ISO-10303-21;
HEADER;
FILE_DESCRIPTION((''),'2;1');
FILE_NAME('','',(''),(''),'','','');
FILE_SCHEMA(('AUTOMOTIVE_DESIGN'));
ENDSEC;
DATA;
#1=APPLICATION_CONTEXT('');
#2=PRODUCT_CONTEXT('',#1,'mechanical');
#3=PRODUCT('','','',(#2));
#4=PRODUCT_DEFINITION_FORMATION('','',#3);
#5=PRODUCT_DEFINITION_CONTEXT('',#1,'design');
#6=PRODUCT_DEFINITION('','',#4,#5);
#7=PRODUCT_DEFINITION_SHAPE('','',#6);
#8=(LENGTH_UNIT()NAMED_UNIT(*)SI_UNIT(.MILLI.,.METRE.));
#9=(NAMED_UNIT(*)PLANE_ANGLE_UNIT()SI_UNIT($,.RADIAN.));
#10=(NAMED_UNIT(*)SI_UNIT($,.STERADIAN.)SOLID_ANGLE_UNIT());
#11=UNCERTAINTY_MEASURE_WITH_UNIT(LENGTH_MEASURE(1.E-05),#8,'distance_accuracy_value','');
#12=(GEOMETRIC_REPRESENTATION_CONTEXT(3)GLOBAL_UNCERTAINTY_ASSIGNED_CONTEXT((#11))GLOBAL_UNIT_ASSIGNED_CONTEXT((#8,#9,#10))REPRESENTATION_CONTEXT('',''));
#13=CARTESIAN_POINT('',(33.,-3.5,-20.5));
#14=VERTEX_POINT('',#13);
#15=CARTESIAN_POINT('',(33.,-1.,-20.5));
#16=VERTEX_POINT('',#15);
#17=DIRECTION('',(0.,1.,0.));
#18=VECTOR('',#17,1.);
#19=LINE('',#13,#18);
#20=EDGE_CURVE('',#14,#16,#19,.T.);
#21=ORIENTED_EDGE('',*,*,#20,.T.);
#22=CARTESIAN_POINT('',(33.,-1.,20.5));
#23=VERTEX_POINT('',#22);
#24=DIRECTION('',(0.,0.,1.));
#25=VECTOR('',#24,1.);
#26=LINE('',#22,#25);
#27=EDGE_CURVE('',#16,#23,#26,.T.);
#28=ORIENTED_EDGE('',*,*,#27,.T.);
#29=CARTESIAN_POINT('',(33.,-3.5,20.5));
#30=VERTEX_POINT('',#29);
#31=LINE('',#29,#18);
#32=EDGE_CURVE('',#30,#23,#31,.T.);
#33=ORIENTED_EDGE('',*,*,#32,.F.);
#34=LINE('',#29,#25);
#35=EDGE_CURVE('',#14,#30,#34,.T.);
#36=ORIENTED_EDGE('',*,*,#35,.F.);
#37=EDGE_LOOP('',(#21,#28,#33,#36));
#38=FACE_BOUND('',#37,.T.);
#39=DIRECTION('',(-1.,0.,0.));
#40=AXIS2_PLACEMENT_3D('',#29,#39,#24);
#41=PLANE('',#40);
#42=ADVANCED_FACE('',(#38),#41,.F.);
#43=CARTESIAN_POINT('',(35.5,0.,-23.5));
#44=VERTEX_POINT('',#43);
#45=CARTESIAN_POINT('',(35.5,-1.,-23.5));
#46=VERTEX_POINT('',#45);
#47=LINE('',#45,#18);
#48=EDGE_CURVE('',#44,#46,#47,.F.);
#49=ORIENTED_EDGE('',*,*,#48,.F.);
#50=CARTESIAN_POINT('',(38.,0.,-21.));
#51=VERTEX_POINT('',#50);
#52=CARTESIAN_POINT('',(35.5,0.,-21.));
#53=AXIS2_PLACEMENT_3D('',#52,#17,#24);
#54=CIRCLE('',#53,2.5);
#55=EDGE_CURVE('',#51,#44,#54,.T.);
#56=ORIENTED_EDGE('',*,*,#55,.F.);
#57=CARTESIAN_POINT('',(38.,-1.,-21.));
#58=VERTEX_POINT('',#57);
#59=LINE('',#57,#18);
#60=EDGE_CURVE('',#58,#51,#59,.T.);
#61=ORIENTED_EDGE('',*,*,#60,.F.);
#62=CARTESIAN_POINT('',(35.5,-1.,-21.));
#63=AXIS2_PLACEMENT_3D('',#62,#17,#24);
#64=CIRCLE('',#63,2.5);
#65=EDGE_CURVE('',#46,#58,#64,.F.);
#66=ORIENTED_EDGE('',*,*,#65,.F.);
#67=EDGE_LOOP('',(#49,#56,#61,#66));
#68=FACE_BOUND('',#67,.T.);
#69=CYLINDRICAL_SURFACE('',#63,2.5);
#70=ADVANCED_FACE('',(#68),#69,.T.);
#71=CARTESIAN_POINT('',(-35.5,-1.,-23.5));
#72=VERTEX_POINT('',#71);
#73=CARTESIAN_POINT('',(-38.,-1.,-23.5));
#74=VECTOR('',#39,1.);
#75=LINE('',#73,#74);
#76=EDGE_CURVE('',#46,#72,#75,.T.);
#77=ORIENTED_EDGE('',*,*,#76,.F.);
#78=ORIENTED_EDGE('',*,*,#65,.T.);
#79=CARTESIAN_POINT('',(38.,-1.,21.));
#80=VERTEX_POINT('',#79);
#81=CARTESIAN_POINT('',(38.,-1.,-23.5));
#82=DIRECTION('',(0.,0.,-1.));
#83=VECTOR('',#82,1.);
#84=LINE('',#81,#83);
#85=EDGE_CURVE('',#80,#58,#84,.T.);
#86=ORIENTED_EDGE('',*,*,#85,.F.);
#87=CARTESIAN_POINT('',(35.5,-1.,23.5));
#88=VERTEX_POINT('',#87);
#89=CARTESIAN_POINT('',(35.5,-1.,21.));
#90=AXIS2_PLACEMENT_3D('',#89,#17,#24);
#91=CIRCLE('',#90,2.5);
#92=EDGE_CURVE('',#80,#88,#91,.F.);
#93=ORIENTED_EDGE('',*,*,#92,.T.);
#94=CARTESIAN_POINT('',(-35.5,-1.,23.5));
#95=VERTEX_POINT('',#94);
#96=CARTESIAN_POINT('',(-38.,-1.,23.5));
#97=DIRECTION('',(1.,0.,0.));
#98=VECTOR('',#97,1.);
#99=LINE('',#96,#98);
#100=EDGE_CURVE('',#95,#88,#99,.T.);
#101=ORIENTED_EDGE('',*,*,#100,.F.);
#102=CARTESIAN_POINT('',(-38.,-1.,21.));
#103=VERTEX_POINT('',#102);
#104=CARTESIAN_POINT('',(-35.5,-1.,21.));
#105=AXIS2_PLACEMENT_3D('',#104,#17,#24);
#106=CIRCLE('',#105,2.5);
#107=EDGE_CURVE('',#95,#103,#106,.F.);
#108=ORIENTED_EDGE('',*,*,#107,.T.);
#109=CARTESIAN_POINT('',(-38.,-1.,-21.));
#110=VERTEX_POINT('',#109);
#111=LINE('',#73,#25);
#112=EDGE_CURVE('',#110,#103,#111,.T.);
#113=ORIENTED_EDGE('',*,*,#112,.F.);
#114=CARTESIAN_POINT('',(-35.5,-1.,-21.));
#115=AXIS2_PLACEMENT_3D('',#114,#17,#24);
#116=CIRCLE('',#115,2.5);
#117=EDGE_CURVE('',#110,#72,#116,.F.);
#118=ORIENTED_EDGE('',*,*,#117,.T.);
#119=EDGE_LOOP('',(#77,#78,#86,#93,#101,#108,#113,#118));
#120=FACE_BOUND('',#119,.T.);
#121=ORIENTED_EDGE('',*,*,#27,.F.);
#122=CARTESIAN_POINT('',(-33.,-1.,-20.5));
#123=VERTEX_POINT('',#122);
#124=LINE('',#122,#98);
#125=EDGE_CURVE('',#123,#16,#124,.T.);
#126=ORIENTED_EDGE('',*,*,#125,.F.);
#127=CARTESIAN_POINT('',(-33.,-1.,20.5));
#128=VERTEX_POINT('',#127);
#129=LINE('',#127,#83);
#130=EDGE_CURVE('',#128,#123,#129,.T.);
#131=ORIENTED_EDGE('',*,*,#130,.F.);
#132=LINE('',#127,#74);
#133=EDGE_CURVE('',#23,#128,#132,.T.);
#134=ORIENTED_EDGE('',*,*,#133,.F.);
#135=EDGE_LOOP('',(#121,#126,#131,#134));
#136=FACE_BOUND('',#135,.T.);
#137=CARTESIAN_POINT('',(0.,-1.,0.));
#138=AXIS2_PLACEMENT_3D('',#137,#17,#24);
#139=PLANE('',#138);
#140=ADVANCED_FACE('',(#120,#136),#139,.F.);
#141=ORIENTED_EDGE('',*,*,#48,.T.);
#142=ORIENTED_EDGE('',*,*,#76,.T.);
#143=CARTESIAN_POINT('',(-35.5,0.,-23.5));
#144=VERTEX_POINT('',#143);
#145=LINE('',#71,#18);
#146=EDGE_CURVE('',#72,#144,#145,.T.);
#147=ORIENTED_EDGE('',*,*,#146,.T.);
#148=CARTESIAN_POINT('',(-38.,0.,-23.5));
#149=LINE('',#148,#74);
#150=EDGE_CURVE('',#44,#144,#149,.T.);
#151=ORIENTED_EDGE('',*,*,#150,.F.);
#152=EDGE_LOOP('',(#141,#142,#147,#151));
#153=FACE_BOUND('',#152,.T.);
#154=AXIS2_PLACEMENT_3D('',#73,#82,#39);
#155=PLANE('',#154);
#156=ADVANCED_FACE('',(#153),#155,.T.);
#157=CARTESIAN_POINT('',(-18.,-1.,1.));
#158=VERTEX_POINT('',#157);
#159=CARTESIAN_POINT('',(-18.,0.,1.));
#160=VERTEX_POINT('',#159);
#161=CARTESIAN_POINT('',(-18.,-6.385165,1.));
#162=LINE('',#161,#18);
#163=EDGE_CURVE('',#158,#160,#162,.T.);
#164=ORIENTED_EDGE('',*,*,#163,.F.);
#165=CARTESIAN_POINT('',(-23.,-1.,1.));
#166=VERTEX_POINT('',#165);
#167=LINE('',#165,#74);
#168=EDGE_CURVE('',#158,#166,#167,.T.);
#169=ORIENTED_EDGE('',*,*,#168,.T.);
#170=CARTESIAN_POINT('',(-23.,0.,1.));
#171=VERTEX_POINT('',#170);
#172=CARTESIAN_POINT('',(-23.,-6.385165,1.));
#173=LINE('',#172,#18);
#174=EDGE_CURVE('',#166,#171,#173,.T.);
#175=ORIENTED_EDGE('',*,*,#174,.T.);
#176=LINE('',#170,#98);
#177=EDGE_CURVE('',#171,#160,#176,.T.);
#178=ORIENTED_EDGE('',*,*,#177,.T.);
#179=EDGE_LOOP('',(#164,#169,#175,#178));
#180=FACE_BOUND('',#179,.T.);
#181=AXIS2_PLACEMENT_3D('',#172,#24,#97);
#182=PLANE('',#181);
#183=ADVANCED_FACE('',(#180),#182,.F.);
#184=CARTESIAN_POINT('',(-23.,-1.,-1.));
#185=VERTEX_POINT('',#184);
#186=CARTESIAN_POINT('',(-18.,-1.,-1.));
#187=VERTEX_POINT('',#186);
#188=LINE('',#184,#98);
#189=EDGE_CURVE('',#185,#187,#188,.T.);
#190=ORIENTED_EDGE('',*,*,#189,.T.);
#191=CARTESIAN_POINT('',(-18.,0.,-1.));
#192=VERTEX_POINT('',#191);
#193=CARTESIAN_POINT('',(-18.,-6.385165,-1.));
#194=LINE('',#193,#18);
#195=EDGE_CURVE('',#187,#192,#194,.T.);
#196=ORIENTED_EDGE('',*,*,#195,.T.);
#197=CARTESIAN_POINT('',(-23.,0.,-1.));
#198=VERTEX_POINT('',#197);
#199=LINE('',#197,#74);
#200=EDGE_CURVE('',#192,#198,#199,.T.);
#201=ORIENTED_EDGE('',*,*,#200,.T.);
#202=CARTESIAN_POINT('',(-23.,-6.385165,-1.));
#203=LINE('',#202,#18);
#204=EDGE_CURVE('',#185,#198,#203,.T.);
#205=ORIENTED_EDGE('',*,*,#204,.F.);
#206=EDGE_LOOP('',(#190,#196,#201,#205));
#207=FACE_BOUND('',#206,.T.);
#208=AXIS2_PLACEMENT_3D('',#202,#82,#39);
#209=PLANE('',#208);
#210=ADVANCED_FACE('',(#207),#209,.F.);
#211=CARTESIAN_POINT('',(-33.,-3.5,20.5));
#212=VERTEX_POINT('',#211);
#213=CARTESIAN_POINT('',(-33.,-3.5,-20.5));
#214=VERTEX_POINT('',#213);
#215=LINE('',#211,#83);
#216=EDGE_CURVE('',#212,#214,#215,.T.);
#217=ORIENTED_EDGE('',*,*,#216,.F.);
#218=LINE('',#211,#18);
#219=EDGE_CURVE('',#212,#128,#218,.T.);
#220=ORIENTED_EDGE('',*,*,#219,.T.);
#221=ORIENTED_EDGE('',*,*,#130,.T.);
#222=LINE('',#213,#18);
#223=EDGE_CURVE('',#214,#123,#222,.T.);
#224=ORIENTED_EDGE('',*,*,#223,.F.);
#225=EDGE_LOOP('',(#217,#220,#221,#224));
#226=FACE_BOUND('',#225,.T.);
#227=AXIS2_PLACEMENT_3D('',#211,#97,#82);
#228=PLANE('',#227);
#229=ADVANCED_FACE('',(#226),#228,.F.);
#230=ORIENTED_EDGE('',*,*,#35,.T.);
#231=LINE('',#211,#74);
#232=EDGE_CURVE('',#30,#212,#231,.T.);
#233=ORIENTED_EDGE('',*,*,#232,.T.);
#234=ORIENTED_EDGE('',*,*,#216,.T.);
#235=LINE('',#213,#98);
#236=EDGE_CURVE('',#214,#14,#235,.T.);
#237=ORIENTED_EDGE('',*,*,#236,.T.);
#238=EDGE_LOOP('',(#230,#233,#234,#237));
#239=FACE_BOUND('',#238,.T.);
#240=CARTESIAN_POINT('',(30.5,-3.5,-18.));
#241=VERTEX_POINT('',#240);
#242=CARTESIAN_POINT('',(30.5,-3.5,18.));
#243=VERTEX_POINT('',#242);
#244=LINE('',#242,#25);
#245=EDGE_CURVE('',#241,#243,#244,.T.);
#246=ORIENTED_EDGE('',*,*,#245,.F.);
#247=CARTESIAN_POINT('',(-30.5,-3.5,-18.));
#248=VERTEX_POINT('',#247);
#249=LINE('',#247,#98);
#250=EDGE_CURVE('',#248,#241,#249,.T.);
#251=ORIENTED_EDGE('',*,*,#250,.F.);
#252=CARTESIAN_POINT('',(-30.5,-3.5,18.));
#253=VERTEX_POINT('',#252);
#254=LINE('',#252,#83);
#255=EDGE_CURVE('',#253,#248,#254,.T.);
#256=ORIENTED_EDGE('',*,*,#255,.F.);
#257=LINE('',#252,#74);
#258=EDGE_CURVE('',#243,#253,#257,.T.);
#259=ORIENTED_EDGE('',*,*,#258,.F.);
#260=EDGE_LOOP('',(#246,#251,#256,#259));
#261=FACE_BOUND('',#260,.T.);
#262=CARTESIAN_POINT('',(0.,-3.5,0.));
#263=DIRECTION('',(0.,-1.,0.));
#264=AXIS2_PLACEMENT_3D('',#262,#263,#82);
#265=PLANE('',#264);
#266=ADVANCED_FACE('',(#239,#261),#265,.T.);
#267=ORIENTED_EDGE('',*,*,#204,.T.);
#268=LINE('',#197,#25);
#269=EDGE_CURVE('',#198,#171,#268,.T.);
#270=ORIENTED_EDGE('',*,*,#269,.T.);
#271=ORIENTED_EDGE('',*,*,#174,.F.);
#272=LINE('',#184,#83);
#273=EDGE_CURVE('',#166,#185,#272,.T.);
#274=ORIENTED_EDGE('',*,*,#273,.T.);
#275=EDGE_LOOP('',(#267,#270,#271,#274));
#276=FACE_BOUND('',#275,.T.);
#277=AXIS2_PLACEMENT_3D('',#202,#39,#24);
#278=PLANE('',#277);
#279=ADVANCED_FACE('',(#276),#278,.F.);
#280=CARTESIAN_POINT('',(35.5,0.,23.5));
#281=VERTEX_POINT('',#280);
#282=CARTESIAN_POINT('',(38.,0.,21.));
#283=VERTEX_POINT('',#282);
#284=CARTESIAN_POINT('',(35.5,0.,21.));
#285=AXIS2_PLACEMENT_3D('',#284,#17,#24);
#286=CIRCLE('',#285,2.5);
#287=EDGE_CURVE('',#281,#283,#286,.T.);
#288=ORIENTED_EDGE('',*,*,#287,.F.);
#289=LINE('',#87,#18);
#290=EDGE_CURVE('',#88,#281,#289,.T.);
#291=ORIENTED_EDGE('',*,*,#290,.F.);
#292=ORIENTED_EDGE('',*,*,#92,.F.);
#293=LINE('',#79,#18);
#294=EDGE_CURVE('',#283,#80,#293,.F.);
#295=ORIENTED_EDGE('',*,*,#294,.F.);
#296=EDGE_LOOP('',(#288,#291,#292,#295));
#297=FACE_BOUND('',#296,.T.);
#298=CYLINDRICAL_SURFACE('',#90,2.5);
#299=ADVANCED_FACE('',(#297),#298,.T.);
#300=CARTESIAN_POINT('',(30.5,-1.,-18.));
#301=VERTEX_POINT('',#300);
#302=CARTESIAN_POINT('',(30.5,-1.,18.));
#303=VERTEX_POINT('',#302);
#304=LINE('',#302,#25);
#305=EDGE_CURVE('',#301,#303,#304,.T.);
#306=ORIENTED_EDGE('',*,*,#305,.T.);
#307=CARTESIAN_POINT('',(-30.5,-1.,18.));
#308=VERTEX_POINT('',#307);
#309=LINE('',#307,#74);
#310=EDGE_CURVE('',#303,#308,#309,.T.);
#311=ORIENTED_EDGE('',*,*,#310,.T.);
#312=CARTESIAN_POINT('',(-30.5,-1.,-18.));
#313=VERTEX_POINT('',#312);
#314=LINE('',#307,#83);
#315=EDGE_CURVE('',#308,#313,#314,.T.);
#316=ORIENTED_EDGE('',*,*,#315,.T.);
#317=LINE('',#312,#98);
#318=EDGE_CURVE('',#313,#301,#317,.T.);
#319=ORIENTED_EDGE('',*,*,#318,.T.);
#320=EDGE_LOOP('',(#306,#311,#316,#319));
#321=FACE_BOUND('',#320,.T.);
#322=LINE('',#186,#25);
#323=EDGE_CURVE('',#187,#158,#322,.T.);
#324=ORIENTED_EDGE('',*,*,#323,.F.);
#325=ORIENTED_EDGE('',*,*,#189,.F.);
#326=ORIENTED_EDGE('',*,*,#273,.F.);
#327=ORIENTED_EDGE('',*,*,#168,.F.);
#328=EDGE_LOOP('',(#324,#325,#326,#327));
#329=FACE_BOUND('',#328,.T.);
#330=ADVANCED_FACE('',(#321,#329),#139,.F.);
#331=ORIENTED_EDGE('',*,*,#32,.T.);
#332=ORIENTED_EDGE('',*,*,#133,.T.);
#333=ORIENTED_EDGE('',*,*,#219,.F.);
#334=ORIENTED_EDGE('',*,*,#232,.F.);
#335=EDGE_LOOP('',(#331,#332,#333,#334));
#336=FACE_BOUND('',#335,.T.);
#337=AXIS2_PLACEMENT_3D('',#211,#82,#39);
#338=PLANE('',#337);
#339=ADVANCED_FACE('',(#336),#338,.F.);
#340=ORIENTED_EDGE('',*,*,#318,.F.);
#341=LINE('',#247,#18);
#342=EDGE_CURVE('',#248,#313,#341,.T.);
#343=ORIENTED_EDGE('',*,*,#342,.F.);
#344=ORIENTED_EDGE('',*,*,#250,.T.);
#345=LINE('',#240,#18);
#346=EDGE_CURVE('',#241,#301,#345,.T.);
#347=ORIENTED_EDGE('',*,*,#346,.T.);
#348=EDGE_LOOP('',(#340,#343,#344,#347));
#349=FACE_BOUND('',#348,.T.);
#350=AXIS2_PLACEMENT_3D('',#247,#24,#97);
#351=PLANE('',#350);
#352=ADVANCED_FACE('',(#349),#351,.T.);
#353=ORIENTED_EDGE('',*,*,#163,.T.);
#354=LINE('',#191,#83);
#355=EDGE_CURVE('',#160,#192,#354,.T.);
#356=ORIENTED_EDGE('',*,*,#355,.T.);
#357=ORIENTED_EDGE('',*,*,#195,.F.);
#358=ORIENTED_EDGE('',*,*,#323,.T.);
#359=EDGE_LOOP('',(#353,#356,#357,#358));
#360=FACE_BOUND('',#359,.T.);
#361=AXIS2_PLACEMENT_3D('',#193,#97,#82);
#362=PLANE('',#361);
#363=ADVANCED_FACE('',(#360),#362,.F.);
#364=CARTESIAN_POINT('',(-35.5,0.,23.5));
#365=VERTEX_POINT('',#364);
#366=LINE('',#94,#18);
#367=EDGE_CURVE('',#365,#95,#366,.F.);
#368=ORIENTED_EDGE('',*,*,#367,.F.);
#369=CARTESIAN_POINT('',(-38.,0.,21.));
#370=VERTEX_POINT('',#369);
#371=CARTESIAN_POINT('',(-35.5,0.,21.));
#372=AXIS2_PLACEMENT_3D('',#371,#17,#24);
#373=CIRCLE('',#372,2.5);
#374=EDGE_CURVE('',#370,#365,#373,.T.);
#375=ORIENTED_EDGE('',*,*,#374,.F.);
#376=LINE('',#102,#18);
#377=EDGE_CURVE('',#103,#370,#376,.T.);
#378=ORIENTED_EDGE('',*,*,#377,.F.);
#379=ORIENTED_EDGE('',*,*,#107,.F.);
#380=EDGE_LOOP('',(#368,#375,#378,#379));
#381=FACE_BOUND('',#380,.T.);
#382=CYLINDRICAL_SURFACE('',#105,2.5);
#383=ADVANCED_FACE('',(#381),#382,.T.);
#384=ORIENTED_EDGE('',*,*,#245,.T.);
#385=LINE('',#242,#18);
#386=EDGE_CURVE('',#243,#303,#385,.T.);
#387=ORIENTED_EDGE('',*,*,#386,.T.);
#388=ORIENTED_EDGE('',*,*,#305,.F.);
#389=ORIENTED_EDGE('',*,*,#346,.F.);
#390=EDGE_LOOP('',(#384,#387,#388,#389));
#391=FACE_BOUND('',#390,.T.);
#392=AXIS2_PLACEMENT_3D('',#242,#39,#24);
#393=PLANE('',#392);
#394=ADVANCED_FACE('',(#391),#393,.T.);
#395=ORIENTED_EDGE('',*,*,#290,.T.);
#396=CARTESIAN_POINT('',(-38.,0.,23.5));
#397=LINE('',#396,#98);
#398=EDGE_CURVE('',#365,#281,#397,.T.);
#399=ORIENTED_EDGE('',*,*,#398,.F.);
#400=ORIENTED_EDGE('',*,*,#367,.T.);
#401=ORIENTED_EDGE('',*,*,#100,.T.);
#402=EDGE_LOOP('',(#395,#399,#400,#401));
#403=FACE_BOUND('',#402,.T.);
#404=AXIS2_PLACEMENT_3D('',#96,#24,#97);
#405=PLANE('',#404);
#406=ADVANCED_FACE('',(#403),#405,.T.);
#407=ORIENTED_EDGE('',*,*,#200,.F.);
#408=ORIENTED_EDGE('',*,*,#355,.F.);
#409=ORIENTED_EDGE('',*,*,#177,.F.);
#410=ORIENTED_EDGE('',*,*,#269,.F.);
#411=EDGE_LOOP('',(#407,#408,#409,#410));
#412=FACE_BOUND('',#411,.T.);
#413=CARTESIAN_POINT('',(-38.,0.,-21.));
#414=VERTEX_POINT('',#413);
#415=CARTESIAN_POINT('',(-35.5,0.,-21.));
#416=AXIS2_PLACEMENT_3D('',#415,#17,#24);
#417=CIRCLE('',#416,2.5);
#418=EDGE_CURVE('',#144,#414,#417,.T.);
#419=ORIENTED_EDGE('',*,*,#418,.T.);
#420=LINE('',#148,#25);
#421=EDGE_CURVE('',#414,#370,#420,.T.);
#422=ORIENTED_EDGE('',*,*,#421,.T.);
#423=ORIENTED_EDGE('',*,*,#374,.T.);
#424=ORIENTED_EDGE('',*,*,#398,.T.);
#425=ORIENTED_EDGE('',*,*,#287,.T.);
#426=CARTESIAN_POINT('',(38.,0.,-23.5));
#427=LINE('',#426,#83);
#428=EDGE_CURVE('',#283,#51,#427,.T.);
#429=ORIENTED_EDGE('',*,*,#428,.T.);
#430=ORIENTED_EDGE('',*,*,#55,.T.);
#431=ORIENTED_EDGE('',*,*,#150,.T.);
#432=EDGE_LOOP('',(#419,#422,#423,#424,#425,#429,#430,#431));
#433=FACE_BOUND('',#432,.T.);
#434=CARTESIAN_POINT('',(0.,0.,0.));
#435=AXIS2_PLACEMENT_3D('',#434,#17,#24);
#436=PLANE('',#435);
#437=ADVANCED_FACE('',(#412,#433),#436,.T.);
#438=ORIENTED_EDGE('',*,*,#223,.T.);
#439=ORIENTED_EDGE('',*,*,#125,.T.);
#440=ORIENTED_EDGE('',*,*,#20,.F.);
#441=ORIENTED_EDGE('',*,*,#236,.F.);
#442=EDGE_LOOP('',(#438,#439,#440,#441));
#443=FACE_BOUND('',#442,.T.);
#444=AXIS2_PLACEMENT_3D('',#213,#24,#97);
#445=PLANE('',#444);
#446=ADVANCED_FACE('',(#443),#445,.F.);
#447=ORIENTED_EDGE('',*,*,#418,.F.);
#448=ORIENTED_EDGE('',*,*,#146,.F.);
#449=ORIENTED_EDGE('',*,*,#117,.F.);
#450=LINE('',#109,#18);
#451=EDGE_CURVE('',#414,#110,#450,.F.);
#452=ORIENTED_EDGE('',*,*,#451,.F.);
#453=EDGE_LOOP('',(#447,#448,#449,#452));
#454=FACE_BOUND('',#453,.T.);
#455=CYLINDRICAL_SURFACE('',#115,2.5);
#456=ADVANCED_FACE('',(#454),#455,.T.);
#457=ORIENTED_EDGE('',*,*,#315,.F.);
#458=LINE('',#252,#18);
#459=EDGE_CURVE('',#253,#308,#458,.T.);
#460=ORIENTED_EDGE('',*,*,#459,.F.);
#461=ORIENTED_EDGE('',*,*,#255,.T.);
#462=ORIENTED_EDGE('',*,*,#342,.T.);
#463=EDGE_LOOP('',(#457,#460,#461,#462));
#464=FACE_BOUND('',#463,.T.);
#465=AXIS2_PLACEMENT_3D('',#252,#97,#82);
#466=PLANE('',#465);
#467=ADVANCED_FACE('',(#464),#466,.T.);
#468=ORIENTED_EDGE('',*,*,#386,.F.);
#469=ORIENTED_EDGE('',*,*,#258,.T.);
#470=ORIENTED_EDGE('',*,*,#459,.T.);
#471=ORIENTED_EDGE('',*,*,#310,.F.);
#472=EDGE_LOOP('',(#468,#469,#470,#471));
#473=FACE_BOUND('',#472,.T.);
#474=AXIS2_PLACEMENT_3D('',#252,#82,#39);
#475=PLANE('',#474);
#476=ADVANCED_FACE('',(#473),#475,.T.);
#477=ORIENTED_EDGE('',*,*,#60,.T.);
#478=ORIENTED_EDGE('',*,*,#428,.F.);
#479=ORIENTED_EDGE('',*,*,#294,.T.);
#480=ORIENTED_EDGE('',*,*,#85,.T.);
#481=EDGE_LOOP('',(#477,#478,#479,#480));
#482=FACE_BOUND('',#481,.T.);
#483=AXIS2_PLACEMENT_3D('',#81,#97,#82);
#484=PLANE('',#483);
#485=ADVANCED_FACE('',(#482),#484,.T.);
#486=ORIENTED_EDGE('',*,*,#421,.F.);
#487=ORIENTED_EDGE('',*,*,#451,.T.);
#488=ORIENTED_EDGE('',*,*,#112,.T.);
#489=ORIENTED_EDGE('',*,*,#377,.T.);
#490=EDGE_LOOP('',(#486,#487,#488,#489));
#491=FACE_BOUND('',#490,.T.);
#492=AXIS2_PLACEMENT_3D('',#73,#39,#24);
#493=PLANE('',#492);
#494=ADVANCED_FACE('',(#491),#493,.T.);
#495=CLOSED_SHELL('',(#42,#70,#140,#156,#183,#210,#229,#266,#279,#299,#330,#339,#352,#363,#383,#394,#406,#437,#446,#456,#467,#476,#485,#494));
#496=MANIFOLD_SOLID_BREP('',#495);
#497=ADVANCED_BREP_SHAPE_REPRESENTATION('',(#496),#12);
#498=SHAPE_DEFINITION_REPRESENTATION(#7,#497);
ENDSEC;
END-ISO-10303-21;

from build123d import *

# Parameters (mm, degrees)
SKETCH1_W           = 76
SKETCH1_H           = 47
BOSS_EXTRUDE1_DEPTH = 1
SKETCH2_W           = 66
SKETCH2_H           = 41
SKETCH2_W_2         = 61
SKETCH2_H_2         = 36
BOSS_EXTRUDE2_DEPTH = 2.5
FILLET1_R           = 2.5
SKETCH4_W           = 5
SKETCH4_H           = 2
CUT_EXTRUDE1_DEPTH  = 1


with BuildPart() as part:
    # Sketch1 → Boss-Extrude1 (new body)
    with BuildSketch(Plane(origin=(0, 0, 0), x_dir=(1, 0, 0), z_dir=(0, 1, 0))):
        Rectangle(SKETCH1_W, SKETCH1_H)
    extrude(amount=-BOSS_EXTRUDE1_DEPTH)

    # Sketch2 → Boss-Extrude2 (add)
    with BuildSketch(Plane.XZ.offset(1)):
        Rectangle(SKETCH2_W, SKETCH2_H)
        Rectangle(SKETCH2_W_2, SKETCH2_H_2, mode=Mode.SUBTRACT)
    extrude(amount=BOSS_EXTRUDE2_DEPTH)

    # Fillet1
    fillet1_edges = [part.edges().sort_by_distance(p)[0] for p in [
        (38, -0.5, 23.5),
        (-38, -0.5, 23.5),
        (-38, -0.5, -23.5),
        (38, -0.5, -23.5),
    ]]
    fillet(fillet1_edges, radius=FILLET1_R)

    # Sketch4 → Cut-Extrude1 (cut)
    with BuildSketch(Plane(origin=(0, 0, 0), x_dir=(1, 0, 0), z_dir=(0, 1, 0))):
        with Locations((-20.5, 0)):
            Rectangle(SKETCH4_W, SKETCH4_H)
    extrude(amount=-CUT_EXTRUDE1_DEPTH, mode=Mode.SUBTRACT)


solid = part.part
